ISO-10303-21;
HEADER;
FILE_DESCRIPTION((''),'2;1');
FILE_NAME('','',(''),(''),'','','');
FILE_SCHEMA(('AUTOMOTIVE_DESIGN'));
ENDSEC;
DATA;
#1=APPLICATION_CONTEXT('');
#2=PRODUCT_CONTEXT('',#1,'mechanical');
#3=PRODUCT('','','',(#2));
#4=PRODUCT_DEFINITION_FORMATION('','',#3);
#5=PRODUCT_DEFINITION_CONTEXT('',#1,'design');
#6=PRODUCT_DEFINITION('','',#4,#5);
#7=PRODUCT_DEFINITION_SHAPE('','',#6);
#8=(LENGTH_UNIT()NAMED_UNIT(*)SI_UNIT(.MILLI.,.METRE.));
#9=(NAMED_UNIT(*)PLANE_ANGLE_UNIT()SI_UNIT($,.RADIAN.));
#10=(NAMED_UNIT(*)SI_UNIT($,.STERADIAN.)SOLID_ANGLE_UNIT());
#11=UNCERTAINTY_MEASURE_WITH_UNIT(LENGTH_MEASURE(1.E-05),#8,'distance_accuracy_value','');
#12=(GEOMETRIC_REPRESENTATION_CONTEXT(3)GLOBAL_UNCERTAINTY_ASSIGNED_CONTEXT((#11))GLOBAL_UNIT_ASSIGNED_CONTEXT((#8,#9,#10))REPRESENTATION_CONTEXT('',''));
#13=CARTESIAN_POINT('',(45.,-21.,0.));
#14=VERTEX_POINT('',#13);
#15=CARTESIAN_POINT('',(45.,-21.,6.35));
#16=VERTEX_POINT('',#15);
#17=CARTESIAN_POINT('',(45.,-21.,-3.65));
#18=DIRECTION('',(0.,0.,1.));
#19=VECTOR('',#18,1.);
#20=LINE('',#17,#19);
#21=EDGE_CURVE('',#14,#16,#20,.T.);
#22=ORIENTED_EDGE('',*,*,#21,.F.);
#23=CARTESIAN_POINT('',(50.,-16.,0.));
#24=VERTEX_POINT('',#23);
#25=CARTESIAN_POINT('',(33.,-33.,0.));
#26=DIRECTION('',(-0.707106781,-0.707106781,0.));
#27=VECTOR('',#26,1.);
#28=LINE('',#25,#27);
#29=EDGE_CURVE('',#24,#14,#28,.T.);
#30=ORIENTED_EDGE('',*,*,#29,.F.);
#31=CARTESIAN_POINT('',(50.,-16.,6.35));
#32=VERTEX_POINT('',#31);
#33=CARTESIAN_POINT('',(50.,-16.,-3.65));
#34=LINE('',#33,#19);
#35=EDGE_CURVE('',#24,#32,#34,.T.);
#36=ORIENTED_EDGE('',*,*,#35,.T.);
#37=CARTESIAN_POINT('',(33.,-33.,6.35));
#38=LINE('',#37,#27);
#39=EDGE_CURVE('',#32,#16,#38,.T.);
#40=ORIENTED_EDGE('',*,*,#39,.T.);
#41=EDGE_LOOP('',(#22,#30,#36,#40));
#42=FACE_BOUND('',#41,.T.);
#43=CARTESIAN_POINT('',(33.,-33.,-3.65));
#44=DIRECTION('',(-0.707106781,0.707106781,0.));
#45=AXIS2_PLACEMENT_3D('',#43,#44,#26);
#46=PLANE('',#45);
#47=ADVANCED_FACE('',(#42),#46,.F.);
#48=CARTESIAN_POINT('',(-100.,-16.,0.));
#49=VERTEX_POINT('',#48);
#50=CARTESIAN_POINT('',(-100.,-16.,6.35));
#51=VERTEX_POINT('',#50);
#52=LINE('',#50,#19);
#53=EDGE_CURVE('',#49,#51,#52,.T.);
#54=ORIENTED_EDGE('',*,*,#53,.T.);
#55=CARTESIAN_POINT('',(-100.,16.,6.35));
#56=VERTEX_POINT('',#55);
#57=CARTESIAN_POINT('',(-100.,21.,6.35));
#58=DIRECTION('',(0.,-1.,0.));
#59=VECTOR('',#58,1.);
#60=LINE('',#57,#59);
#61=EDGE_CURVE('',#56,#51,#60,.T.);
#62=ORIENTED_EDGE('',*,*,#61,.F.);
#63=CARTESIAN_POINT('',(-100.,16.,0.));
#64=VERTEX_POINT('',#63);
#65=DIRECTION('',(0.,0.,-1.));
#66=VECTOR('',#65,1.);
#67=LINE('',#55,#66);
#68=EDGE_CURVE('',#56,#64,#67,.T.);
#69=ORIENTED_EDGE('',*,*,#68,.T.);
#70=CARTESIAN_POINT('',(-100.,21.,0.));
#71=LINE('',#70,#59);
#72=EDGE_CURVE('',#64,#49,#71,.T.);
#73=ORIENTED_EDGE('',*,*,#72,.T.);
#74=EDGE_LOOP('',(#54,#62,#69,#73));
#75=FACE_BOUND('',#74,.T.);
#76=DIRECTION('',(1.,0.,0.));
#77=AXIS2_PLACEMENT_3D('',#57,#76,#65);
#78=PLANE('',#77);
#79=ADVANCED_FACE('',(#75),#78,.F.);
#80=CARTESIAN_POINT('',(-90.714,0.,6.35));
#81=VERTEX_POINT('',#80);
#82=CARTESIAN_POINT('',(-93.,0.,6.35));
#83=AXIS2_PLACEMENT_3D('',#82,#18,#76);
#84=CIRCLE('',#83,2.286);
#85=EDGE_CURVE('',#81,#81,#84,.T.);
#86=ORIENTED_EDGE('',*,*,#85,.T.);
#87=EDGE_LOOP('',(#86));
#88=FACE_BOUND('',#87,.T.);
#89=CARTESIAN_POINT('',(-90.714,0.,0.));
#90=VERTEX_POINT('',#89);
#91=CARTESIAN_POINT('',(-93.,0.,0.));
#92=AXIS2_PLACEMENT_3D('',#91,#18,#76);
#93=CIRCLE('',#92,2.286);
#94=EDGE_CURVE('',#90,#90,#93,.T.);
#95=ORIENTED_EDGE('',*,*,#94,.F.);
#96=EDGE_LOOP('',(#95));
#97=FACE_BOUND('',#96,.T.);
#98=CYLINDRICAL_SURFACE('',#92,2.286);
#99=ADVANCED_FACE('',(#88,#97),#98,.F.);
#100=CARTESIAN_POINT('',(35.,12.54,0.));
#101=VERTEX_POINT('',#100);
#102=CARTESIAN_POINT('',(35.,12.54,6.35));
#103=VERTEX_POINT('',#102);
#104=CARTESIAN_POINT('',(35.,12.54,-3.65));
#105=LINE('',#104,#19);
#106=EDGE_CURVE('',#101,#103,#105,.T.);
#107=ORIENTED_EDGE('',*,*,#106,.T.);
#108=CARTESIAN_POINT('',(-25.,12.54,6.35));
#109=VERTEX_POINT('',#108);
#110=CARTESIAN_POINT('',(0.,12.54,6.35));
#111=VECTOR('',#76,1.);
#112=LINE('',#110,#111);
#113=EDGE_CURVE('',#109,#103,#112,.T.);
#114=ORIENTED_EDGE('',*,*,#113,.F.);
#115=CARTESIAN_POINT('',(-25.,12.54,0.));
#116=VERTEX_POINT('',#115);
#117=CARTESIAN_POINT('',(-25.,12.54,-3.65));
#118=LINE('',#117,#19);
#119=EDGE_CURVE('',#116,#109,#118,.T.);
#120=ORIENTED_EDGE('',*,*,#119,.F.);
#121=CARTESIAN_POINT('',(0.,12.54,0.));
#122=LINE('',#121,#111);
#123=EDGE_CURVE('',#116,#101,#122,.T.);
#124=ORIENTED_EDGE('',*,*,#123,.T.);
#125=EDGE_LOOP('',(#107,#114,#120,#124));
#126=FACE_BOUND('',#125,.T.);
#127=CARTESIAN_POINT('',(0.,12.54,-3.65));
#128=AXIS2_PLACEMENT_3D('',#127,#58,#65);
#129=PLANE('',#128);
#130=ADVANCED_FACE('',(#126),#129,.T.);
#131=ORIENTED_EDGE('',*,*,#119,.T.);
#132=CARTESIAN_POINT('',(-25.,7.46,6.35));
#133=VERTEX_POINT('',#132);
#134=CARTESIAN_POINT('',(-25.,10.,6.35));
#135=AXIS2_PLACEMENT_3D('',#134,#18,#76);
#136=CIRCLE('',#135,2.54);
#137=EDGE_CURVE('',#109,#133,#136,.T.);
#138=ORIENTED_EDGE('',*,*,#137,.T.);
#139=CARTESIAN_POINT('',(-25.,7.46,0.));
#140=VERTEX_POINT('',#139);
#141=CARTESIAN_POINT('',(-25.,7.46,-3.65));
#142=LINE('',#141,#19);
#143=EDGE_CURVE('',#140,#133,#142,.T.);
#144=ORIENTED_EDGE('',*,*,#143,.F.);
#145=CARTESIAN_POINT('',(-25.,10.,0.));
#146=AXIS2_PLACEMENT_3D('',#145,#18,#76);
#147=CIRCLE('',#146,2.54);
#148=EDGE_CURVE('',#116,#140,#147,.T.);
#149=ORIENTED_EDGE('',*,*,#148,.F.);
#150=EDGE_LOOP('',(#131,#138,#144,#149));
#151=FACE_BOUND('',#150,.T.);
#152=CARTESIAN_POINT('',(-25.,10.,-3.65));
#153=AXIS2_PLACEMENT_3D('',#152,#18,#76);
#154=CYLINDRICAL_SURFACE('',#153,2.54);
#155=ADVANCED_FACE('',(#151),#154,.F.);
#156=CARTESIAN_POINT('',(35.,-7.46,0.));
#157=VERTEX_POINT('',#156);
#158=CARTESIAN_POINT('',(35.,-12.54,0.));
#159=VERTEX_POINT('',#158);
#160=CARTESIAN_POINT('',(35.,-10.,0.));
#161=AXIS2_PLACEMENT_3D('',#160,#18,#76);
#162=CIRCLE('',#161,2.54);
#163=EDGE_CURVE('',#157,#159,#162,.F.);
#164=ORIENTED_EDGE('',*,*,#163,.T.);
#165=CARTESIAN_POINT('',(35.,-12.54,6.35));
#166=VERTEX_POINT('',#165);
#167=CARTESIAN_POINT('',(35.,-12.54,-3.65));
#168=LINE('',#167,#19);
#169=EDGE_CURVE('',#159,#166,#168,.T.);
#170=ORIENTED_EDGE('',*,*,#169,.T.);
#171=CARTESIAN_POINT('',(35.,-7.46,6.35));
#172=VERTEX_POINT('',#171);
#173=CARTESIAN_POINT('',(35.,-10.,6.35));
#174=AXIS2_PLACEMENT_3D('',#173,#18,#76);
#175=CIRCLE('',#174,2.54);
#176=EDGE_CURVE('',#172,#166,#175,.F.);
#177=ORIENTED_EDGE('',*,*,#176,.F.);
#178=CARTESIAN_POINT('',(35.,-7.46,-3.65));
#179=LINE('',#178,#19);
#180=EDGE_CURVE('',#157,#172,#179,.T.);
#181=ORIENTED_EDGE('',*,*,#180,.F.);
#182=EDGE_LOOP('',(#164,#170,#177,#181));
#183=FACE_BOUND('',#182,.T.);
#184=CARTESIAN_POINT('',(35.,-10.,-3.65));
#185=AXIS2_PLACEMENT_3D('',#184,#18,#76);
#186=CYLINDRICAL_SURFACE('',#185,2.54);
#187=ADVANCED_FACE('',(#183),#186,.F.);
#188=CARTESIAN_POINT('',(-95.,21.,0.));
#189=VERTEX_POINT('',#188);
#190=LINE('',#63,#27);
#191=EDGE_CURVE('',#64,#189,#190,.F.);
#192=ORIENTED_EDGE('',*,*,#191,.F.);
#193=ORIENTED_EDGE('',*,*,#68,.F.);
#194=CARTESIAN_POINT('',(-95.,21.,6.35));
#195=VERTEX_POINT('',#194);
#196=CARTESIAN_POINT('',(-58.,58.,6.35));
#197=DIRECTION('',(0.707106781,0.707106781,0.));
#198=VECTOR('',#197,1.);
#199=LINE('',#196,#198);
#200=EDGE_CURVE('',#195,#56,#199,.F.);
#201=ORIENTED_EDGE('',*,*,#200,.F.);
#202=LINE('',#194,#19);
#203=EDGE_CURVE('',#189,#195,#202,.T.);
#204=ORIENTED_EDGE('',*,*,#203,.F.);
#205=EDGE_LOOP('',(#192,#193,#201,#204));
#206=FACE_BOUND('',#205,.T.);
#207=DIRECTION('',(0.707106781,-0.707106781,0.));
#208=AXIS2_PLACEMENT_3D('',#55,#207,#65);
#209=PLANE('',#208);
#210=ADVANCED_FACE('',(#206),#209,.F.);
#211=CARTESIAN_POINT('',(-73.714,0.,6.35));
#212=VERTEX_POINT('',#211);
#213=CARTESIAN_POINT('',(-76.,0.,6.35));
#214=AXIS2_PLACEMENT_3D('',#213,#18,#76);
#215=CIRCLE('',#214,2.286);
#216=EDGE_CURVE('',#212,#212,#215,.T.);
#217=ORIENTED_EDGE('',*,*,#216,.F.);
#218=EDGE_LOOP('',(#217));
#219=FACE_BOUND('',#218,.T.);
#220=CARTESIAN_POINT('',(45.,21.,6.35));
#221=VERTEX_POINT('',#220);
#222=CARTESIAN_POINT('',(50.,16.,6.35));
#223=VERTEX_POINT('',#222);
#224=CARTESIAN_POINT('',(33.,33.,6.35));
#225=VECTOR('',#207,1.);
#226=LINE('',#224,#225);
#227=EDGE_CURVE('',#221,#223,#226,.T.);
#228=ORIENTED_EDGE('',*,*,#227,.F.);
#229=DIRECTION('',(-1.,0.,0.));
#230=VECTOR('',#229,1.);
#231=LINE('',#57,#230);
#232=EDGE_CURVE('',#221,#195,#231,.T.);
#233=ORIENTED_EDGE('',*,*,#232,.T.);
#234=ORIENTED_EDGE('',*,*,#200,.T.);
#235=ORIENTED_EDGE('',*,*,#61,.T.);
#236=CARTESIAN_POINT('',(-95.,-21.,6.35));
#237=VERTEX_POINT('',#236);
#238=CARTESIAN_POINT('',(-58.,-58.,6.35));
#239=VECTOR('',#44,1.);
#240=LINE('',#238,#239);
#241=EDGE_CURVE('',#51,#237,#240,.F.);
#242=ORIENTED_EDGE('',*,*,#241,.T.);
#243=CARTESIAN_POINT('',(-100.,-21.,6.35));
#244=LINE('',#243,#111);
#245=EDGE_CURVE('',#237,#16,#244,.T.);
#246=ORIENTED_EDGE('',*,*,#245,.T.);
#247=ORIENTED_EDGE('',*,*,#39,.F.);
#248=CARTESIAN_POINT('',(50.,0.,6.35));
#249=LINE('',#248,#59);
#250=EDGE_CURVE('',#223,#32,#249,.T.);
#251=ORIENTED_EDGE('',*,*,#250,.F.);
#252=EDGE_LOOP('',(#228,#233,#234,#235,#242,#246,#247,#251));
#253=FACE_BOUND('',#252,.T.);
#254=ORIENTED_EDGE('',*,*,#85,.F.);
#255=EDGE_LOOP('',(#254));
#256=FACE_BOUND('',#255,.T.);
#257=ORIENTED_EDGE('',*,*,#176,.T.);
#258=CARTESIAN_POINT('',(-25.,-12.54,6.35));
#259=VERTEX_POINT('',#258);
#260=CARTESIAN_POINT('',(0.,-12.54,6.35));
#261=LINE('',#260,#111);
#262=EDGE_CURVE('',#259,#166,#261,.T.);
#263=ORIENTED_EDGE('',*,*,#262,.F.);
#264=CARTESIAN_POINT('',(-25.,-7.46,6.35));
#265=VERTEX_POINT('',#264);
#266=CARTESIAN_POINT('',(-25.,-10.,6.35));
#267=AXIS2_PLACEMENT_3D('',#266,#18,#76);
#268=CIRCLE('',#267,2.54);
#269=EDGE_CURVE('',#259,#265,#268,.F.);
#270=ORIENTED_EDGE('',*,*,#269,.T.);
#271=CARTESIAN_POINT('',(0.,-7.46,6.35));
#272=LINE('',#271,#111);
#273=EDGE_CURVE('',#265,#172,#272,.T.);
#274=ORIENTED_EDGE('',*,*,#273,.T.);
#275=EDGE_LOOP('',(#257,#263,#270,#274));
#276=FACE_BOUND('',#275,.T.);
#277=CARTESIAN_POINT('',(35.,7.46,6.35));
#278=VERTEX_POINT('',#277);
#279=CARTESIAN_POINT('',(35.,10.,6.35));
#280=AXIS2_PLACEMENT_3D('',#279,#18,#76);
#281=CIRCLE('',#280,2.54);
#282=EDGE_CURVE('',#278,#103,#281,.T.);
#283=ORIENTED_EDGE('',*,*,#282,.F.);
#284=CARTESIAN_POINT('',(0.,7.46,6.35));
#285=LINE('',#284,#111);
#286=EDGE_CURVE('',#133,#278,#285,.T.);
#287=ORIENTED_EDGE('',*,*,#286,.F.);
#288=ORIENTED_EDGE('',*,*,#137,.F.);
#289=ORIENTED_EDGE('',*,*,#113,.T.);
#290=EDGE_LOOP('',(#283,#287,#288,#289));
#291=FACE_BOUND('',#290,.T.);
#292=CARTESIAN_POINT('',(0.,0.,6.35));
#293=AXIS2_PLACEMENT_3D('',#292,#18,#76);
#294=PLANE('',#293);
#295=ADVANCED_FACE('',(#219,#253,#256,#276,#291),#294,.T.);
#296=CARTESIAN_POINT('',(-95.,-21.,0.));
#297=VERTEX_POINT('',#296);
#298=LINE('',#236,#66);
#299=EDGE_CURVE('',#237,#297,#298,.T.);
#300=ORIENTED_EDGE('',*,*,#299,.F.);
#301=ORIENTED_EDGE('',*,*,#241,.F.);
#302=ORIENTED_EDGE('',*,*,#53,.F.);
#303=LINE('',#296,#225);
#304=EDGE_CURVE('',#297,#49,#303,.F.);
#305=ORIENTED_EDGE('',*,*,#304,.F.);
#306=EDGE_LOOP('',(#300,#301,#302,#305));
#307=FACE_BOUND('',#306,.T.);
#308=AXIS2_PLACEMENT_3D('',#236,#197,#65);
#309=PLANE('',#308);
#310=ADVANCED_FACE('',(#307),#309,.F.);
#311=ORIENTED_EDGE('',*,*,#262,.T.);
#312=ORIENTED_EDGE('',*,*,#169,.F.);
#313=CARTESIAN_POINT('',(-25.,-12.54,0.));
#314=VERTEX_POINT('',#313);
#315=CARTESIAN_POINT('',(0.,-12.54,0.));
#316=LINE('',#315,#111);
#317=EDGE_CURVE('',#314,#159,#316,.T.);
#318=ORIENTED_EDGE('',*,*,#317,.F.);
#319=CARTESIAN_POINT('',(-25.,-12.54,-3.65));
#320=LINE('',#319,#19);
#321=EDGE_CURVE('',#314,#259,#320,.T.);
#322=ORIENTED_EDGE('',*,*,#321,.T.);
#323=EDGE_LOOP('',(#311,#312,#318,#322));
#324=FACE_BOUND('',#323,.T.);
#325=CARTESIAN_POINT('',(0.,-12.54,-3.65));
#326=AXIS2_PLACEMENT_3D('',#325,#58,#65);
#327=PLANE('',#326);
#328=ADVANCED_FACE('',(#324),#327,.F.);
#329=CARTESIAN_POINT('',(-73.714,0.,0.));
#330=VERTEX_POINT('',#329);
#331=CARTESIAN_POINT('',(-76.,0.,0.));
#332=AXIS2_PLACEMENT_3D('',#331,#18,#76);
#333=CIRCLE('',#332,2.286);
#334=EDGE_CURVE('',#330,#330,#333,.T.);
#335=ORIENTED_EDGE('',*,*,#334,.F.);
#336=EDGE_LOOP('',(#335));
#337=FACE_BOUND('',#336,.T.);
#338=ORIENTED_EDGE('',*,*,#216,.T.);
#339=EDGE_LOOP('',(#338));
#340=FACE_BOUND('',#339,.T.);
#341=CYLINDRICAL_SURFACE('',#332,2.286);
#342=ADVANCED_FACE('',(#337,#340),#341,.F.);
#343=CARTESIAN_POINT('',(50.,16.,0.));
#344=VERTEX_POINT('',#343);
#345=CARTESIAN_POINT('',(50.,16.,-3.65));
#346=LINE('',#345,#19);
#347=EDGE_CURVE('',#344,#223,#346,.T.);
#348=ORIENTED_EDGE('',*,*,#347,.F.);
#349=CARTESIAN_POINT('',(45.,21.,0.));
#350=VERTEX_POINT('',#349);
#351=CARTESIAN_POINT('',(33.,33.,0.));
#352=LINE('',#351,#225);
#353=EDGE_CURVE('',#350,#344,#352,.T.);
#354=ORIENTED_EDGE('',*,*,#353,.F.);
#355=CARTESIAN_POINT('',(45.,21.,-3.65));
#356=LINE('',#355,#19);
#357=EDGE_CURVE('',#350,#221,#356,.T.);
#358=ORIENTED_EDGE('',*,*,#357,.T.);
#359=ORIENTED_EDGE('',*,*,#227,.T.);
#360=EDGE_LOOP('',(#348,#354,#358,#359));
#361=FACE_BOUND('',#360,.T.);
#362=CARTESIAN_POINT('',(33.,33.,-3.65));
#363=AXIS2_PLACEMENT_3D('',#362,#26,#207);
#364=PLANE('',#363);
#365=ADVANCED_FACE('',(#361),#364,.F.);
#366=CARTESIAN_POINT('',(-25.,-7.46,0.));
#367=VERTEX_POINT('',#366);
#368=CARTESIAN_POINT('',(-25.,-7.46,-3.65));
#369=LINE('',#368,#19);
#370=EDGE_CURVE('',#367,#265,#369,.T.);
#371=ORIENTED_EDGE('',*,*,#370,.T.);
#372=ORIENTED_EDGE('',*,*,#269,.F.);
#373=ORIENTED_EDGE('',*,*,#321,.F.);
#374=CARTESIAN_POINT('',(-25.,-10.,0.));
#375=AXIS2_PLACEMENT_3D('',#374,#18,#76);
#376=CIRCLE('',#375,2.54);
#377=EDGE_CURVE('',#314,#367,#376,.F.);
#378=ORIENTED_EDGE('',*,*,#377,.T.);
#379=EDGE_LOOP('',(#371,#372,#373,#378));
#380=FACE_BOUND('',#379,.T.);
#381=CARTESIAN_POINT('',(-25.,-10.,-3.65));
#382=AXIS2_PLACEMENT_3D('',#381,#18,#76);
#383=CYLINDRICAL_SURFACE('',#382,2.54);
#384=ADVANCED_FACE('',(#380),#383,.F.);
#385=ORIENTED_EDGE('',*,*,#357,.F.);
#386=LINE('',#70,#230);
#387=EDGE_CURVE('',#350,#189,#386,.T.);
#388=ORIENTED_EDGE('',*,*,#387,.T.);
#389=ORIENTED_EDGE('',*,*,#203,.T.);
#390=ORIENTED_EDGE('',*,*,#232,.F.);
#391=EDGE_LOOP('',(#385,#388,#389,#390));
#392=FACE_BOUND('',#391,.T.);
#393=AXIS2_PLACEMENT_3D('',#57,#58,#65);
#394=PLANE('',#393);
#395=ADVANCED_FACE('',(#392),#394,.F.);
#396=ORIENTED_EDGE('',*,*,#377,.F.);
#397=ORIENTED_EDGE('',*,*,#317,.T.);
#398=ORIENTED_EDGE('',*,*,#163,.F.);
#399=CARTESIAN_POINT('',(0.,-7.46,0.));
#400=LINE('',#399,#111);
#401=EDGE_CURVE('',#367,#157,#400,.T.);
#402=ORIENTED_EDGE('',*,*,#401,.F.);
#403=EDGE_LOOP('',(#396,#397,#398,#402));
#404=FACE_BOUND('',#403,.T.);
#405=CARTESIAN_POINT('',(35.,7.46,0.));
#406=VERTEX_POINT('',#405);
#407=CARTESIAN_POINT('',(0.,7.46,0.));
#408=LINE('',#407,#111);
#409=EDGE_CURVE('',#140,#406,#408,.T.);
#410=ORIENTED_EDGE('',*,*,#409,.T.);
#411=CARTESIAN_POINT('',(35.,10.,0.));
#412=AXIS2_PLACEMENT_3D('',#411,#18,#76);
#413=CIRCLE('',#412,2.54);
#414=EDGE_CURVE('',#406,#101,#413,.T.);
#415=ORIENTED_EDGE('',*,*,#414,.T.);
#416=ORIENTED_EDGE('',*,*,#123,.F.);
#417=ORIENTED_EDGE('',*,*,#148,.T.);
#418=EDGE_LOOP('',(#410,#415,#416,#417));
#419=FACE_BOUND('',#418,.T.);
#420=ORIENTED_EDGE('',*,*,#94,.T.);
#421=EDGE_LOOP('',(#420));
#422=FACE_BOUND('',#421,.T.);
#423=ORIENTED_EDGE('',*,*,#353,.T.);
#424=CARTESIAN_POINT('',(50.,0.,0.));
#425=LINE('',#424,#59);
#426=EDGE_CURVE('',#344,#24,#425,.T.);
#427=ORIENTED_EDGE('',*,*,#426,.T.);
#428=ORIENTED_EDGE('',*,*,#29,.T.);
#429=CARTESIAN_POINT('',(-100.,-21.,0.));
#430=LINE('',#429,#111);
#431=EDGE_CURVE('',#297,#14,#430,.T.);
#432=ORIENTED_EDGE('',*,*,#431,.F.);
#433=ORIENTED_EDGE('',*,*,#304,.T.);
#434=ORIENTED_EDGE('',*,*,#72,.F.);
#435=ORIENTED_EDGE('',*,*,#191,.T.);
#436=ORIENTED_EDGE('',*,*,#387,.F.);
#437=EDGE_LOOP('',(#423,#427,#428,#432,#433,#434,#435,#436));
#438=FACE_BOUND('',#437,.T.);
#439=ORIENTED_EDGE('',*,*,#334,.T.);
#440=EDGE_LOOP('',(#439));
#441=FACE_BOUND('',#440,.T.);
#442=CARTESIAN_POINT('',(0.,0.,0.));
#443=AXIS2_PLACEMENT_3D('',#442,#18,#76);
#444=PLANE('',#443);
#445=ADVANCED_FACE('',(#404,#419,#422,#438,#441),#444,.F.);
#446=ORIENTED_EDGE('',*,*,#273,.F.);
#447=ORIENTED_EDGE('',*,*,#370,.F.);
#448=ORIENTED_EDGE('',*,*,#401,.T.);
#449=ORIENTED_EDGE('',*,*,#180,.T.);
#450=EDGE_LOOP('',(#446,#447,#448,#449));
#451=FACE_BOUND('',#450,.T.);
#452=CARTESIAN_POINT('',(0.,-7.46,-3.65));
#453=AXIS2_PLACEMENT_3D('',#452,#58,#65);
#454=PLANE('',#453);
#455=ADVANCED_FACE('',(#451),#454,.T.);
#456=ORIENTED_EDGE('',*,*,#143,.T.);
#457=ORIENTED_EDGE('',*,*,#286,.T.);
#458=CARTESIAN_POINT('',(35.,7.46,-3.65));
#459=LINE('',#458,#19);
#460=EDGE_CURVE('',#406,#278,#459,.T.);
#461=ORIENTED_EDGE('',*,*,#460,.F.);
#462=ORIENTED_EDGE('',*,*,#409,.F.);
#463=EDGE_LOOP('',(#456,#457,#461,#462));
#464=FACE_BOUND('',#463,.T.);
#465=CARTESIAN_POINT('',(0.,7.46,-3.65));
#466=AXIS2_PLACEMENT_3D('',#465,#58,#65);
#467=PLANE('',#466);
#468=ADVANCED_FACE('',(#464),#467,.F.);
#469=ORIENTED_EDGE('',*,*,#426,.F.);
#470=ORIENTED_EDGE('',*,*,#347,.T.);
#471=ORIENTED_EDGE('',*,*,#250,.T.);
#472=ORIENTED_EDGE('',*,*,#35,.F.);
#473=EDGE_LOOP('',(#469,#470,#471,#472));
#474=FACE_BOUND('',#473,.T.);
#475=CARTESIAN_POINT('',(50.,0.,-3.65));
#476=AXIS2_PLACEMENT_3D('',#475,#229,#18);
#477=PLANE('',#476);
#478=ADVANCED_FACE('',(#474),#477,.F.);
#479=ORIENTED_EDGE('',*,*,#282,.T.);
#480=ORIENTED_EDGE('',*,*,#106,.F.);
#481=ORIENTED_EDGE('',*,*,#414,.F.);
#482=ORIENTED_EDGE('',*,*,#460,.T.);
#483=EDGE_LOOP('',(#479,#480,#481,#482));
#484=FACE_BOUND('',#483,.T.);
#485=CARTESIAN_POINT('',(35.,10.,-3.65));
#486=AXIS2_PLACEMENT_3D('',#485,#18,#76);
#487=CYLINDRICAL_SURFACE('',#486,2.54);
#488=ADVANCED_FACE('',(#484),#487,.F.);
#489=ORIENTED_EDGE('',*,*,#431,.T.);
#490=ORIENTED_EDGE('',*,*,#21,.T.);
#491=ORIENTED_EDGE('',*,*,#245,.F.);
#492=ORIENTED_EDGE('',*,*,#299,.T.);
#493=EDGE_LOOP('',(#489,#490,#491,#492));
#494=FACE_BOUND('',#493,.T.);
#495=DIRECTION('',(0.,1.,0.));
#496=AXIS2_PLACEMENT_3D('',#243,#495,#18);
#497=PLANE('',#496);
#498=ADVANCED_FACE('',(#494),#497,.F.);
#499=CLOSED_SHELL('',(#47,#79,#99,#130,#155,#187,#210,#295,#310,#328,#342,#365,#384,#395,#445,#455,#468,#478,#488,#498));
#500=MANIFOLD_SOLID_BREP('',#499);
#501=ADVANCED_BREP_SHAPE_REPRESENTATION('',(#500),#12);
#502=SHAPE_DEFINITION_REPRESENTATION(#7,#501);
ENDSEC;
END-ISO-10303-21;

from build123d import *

# Parameters (mm, degrees)
SKETCH1_W           = 200
SKETCH1_H           = 42
BOSS_EXTRUDE1_DEPTH = 6.35
SKETCH4_R           = 2.286
CUT_EXTRUDE3_DEPTH  = 7.35
CHAMFER1_SIZE       = 5
SKETCH9_R           = 2.286
CUT_EXTRUDE8_DEPTH  = 7.35
SKETCH12_R          = 2.286
CUT_EXTRUDE11_DEPTH = 7.35
SKETCH13_R          = 2.286
CUT_EXTRUDE12_DEPTH = 10


with BuildPart() as part:
    # Sketch1 → Boss-Extrude1 (new body)
    with BuildSketch(Plane.XY):
        Rectangle(SKETCH1_W, SKETCH1_H)
    extrude(amount=BOSS_EXTRUDE1_DEPTH)

    # Sketch4 → Cut-Extrude3 (cut, through all)
    with BuildSketch(Plane.XY.offset(6.35)):
        with Locations((-76, 0)):
            Circle(SKETCH4_R)
    extrude(amount=-CUT_EXTRUDE3_DEPTH, mode=Mode.SUBTRACT)

    # Chamfer1
    chamfer1_edges = [part.edges().sort_by_distance(p)[0] for p in [
        (100, -21, 3.175),
        (-100, -21, 3.175),
        (-100, 21, 3.175),
        (100, 21, 3.175),
    ]]
    chamfer(chamfer1_edges, length=CHAMFER1_SIZE)

    # Sketch9 → Cut-Extrude8 (cut, through all)
    with BuildSketch(Plane.XY.offset(6.35)):
        with Locations((80, 0)):
            Circle(SKETCH9_R)
    extrude(amount=-CUT_EXTRUDE8_DEPTH, mode=Mode.SUBTRACT)

    # Sketch12 → Cut-Extrude11 (cut, through all)
    with BuildSketch(Plane.XY.offset(6.35)):
        with Locations((-93, 0)):
            Circle(SKETCH12_R)
    extrude(amount=-CUT_EXTRUDE11_DEPTH, mode=Mode.SUBTRACT)

    # Sketch13 → Cut-Extrude12 (cut)
    with BuildSketch(Plane.XY.offset(6.35)):
        Polygon((45, 21), (50, 16), (50, -16), (45, -21), (95, -21), (100, -16), (100, 16), (95, 21), align=None)
        with Locations((80, 0)):
            Circle(SKETCH13_R, mode=Mode.SUBTRACT)
        with BuildLine():
            ThreePointArc((35, -7.46), (37.54, -10), (35, -12.54))
            Line((35, -12.54), (-25, -12.54))
            ThreePointArc((-25, -12.54), (-27.54, -10), (-25, -7.46))
            Line((-25, -7.46), (35, -7.46))
        make_face()
        with BuildLine():
            Line((-25, 7.46), (35, 7.46))
            ThreePointArc((35, 7.46), (37.54, 10), (35, 12.54))
            Line((35, 12.54), (-25, 12.54))
            ThreePointArc((-25, 12.54), (-27.54, 10), (-25, 7.46))
        make_face()
    extrude(amount=-CUT_EXTRUDE12_DEPTH, mode=Mode.SUBTRACT)


solid = part.part
